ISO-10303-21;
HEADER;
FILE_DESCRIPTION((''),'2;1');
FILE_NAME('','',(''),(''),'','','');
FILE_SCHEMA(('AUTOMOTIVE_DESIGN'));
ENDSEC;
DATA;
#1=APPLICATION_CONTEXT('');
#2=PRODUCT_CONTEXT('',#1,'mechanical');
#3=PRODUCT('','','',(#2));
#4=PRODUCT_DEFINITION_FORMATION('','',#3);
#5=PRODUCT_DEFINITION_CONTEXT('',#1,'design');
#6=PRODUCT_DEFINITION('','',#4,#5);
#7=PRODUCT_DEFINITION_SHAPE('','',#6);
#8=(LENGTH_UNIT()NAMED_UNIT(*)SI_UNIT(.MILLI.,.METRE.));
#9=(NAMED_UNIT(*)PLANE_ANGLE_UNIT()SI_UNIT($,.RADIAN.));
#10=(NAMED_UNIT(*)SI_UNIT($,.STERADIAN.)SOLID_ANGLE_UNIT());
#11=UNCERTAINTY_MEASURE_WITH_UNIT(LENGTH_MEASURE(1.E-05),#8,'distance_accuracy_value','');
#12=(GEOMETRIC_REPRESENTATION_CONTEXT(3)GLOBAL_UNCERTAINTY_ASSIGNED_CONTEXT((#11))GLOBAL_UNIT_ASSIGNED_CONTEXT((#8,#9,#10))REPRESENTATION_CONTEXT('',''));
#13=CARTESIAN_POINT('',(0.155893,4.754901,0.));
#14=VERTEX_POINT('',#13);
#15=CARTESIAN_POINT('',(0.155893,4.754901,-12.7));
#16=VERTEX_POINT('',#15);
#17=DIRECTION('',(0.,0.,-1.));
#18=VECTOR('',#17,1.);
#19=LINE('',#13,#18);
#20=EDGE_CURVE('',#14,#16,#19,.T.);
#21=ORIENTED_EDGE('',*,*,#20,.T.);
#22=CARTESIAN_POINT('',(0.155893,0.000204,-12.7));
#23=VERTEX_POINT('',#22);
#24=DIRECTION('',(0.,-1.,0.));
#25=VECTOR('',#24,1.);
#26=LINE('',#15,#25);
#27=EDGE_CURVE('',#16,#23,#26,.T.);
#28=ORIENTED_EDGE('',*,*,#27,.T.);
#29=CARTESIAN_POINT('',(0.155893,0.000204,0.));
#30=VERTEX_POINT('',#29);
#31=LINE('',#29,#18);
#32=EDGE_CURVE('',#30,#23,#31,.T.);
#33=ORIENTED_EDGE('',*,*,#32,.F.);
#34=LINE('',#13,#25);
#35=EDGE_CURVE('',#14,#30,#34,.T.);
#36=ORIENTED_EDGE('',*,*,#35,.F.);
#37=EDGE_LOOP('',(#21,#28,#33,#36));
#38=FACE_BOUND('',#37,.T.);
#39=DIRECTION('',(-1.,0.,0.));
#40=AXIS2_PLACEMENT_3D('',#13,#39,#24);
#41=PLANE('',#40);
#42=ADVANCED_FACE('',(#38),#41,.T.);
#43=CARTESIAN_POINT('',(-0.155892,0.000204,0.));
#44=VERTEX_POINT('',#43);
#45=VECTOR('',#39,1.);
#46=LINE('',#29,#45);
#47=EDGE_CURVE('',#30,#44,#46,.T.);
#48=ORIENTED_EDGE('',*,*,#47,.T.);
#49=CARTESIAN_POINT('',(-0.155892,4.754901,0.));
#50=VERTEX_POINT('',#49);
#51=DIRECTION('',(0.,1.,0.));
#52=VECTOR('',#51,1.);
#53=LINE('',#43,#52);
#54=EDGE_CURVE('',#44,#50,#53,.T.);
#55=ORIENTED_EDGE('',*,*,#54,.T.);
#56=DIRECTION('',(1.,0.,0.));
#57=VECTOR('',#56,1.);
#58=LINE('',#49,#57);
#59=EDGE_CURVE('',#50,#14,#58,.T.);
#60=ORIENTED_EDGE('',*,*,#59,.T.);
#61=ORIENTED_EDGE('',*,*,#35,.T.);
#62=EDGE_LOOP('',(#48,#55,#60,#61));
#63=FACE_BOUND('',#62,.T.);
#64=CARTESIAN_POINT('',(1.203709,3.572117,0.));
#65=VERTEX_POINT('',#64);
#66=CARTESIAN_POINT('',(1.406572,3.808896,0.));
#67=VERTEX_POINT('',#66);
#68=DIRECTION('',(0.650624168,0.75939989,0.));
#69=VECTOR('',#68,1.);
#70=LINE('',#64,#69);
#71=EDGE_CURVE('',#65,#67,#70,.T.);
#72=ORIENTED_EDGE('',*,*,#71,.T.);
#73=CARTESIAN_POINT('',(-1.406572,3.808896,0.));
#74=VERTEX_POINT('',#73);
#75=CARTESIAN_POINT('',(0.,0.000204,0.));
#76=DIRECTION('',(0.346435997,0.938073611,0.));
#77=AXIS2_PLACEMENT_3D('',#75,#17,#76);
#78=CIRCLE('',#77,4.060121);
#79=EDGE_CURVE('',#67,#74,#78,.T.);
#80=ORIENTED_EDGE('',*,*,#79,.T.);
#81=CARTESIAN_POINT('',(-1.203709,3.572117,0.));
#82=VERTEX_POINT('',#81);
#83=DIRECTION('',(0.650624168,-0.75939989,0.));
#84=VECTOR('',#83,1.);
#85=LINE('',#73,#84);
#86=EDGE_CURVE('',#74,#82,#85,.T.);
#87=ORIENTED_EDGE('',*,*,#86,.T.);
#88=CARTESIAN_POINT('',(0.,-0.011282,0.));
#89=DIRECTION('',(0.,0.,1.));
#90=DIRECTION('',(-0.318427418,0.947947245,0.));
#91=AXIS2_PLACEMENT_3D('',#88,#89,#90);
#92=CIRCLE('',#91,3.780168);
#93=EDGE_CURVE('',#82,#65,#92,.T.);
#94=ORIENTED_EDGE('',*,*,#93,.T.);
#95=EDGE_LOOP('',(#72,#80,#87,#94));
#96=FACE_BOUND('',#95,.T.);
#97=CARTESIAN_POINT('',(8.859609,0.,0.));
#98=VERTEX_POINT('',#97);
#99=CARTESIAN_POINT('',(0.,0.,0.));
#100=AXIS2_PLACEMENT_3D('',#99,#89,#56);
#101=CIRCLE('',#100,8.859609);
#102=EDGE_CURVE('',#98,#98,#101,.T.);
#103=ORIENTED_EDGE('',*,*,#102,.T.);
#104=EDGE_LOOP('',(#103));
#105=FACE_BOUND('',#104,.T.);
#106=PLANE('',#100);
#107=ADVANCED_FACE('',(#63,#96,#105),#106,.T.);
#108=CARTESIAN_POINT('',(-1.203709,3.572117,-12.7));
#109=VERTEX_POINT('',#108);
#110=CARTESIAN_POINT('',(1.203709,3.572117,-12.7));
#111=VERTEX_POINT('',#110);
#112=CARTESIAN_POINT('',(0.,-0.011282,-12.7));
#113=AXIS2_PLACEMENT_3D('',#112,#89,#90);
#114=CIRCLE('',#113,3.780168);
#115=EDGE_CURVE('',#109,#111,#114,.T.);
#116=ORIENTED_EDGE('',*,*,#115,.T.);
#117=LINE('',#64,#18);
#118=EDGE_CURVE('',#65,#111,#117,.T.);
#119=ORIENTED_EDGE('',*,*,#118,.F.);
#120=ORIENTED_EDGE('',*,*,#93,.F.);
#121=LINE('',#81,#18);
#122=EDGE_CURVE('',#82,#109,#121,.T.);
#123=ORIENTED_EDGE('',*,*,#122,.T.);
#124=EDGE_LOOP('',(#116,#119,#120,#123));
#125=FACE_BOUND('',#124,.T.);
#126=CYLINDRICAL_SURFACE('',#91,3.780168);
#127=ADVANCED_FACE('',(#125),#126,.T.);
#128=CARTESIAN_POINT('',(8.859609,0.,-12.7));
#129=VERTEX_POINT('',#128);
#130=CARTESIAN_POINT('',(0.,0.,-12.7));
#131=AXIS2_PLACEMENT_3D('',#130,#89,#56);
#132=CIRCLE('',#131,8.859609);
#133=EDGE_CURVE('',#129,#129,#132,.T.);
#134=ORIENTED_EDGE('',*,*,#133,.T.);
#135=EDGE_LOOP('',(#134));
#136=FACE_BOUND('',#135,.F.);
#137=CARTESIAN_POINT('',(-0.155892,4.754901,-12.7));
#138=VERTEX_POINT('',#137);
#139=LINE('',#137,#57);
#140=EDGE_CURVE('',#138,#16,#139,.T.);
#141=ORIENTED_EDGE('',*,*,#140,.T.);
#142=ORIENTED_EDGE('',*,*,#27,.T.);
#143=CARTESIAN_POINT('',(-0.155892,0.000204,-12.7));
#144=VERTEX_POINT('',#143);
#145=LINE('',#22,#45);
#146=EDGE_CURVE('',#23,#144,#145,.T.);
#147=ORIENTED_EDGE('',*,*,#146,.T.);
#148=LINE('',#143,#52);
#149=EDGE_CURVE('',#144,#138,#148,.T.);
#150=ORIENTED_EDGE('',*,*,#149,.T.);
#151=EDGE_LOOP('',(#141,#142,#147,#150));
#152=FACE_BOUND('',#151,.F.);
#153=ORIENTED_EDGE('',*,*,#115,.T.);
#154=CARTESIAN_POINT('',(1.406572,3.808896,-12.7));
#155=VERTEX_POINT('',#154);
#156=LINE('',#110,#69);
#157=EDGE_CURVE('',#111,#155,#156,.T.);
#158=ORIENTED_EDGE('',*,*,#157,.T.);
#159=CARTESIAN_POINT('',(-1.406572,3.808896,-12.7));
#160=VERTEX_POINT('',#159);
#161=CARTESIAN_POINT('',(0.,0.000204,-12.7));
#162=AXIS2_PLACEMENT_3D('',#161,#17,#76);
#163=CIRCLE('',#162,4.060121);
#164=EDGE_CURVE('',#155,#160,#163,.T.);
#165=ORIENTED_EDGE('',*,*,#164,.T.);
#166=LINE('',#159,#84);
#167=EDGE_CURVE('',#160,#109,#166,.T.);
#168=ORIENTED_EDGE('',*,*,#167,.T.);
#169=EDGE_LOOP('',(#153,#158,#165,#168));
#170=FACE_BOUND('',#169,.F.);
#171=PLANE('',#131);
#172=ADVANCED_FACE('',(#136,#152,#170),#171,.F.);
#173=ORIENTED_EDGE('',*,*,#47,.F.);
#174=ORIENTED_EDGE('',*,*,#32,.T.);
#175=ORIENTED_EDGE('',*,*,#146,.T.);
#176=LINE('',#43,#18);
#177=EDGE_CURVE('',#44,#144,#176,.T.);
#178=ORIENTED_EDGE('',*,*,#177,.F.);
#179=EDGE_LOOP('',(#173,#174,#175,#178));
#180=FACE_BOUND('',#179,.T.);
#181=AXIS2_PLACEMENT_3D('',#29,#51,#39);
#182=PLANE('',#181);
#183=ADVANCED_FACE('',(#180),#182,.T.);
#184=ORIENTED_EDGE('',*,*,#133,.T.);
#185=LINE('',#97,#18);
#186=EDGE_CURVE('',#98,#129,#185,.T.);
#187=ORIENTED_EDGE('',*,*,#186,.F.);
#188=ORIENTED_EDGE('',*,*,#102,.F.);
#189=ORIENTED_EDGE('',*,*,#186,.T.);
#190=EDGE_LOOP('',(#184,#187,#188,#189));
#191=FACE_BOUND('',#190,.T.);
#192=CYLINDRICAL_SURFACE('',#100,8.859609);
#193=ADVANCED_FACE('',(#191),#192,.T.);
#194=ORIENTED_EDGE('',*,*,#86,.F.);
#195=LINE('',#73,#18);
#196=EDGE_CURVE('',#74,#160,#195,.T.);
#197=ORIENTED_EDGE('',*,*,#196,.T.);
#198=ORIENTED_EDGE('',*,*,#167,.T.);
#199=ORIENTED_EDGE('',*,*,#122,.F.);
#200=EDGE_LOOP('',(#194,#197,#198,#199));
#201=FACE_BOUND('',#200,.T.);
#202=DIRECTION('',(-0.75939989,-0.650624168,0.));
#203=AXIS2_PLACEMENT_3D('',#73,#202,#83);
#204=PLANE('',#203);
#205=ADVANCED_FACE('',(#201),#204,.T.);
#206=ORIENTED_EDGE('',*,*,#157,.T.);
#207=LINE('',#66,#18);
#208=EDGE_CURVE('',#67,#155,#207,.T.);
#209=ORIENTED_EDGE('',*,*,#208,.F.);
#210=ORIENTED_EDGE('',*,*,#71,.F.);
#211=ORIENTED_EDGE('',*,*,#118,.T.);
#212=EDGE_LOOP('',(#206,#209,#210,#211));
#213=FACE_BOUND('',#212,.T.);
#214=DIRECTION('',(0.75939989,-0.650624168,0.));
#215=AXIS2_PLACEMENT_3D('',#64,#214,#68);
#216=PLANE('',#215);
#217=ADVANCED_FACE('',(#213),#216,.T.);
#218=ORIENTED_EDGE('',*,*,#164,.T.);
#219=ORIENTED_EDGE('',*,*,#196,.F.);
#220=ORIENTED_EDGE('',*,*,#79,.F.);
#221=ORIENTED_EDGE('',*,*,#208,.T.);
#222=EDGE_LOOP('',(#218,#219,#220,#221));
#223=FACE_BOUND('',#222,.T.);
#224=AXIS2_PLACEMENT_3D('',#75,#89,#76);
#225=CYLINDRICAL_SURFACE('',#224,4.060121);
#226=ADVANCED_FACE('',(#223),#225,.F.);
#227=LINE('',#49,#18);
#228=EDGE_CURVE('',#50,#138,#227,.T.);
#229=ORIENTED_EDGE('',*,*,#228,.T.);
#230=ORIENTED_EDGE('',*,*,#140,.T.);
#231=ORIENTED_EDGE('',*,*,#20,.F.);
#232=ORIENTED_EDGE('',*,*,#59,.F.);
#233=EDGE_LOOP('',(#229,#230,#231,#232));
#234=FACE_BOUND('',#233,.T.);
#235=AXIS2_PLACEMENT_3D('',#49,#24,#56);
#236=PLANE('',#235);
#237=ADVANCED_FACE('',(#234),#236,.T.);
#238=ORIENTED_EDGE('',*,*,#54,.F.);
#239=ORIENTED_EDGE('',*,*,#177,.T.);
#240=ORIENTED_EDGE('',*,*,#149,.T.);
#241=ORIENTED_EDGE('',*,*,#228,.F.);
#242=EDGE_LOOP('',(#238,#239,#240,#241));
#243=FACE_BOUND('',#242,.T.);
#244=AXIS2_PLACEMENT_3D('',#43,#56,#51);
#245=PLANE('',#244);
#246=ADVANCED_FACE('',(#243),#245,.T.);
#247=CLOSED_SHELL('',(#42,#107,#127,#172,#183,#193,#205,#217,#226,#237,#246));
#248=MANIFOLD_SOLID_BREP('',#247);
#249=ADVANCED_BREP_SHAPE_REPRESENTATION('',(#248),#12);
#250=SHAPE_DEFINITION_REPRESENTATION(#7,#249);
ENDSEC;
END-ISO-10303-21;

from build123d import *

# Parameters (mm, degrees)
F0_R     = 8.859609
F1_DEPTH = 12.7


with BuildPart() as f1:
    # F0 (on Top) → F1 (new body)
    with BuildSketch(Plane.XY):
        Circle(F0_R)
        with BuildLine():
            Line((-1.406572, 3.808896), (-1.203709, 3.572117))
            ThreePointArc((-1.203709, 3.572117), (0, -3.79145), (1.203709, 3.572117))
            Line((1.203709, 3.572117), (1.406572, 3.808896))
            ThreePointArc((1.406572, 3.808896), (0, -4.059917), (-1.406572, 3.808896))
        make_face(mode=Mode.SUBTRACT)
        Polygon((0.155893, 0.000204), (0, 0.000204), (-0.155892, 0.000204), (-0.155892, 4.754901), (0.155893, 4.754901), align=None, mode=Mode.SUBTRACT)
    extrude(amount=-F1_DEPTH)


solid = f1.part
